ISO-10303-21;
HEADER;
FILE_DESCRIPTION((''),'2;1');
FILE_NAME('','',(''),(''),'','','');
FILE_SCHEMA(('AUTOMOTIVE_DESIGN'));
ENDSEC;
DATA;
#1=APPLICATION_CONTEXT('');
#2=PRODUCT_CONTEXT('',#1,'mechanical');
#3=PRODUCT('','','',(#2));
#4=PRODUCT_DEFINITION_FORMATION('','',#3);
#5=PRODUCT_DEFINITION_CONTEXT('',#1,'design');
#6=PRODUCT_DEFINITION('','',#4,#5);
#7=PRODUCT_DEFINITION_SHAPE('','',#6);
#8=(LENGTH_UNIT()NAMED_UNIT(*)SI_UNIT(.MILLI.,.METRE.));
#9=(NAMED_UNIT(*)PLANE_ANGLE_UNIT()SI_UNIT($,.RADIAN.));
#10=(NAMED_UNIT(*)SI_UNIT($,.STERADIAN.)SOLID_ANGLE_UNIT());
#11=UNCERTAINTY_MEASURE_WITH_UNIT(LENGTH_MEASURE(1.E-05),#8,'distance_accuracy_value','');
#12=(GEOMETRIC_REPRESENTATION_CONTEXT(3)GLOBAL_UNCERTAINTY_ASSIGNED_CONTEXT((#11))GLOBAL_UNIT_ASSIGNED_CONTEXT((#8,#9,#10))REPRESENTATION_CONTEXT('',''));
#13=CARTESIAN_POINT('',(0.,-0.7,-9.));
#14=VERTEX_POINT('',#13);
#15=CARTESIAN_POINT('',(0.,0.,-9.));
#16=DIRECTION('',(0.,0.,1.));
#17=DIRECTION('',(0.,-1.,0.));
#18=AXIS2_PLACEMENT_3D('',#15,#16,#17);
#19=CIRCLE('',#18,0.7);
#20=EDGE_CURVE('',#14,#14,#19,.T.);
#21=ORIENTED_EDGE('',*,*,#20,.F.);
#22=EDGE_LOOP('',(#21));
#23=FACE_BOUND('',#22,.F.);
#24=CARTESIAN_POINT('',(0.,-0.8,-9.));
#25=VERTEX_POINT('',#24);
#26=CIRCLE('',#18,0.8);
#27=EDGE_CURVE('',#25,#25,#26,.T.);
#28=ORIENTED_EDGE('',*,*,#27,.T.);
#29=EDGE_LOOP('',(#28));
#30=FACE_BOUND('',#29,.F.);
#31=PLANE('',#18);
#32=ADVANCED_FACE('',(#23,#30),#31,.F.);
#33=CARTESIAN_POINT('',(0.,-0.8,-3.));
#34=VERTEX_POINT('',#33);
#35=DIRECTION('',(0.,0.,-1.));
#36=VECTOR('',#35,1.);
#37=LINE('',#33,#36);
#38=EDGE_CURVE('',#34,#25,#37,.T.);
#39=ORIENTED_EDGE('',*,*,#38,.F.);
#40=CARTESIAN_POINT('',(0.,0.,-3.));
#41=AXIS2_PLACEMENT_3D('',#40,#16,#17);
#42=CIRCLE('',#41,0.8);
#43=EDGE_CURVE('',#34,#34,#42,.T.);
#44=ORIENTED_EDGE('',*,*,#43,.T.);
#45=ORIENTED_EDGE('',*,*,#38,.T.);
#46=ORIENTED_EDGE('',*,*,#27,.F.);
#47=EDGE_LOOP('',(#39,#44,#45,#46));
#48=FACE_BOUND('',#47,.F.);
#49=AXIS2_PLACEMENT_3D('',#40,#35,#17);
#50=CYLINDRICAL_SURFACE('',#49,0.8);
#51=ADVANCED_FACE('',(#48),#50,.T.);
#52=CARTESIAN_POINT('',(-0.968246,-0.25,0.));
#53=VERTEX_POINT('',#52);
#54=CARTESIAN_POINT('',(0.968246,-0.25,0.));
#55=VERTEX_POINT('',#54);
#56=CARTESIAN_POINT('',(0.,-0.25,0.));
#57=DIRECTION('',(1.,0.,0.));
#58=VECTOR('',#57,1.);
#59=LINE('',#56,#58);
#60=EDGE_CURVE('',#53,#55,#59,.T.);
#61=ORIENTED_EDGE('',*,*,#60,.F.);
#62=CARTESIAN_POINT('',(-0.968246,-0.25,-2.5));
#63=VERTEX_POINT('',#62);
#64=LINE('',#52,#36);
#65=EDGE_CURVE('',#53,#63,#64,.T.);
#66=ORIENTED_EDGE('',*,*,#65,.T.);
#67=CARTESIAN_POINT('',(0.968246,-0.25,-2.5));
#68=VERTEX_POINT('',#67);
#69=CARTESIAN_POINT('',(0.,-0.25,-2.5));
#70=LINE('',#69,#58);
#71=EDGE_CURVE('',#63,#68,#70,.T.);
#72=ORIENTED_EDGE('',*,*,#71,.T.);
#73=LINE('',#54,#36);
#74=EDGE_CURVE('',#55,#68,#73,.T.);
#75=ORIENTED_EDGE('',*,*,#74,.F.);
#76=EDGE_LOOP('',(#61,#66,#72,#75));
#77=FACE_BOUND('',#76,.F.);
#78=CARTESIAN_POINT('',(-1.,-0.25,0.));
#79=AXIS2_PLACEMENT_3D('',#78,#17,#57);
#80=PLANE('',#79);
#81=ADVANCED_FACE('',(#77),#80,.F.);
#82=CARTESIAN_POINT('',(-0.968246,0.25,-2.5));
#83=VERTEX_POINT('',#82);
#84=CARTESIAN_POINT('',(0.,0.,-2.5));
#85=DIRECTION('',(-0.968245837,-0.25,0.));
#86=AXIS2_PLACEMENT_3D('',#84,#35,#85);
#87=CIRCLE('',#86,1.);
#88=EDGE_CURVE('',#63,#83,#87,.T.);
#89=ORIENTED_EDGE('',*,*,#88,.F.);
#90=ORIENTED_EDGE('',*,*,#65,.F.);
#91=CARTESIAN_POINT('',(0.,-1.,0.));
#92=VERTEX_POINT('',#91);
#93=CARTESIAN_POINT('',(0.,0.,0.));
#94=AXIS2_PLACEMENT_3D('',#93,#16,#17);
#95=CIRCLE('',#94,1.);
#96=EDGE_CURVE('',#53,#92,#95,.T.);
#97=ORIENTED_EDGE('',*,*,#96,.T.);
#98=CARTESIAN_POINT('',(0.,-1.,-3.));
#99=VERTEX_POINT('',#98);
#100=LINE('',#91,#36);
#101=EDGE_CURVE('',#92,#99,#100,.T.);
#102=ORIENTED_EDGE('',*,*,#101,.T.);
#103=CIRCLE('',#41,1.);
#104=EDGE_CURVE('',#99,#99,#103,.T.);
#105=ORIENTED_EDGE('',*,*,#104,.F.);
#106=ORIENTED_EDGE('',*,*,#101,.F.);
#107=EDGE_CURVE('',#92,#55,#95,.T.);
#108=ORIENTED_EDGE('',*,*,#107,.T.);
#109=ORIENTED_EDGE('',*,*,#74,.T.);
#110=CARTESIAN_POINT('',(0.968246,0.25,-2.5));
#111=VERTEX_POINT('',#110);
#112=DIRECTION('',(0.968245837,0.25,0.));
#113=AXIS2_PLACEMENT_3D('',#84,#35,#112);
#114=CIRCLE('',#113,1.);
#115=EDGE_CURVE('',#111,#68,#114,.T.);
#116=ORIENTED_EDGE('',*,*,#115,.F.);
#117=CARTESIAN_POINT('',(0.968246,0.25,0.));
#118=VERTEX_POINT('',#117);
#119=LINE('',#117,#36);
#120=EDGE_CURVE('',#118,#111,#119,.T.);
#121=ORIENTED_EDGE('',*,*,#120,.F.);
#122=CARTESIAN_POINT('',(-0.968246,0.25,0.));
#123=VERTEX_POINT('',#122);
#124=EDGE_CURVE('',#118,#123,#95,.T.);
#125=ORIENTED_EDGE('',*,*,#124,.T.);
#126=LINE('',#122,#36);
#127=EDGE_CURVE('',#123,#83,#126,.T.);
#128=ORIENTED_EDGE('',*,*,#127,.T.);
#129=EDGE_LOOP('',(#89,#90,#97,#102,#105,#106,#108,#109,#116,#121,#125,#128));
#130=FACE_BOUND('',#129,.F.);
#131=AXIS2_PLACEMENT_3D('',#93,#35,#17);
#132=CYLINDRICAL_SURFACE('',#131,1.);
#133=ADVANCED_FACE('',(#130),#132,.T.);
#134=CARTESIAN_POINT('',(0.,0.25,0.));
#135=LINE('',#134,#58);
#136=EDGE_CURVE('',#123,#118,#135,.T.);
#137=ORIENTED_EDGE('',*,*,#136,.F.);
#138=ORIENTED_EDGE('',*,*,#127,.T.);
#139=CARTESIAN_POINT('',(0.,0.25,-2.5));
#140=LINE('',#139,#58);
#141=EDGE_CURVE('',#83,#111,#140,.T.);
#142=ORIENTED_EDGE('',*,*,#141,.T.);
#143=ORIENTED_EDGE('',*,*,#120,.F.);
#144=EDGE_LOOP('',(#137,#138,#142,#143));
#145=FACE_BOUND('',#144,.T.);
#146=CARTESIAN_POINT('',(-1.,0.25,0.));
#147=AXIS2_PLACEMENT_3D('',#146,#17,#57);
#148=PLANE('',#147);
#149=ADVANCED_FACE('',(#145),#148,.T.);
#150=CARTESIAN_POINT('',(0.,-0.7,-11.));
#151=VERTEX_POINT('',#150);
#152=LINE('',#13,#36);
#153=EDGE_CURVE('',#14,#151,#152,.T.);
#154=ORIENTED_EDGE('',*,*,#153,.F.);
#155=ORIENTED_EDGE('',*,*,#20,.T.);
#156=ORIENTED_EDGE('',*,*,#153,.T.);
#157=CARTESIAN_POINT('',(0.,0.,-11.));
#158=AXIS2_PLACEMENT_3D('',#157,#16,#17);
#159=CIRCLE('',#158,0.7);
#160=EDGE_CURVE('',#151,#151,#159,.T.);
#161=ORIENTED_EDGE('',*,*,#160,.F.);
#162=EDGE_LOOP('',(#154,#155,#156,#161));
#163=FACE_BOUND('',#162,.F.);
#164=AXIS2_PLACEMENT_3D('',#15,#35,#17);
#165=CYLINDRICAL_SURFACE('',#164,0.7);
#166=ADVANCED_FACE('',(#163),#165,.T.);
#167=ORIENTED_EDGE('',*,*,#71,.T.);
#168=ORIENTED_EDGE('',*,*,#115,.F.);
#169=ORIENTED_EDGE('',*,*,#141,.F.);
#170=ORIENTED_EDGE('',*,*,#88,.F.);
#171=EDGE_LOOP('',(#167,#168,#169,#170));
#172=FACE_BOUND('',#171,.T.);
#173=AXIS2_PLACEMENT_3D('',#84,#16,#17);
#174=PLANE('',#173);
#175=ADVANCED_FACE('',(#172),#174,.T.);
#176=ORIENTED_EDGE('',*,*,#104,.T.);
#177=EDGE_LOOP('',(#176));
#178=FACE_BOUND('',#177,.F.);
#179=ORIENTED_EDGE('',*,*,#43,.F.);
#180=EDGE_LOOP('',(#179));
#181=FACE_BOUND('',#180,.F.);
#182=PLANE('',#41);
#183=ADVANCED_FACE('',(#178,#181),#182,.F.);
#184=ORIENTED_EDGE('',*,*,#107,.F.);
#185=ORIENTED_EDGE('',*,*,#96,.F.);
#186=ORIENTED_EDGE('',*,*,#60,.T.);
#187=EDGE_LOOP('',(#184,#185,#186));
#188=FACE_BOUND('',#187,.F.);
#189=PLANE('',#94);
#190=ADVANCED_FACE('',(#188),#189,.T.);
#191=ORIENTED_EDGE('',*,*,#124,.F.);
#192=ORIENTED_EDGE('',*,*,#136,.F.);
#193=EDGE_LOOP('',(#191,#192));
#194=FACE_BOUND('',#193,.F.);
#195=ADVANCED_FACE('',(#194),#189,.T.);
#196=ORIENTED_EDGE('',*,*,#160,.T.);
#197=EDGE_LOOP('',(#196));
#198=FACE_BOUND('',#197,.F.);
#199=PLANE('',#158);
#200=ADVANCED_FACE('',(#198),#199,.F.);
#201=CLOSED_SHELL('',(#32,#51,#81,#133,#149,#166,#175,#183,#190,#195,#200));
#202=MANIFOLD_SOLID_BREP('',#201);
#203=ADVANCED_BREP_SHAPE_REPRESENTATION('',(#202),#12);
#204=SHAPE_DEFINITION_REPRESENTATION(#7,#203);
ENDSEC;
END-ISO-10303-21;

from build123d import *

# Parameters (mm, degrees)
SKETCH001_W  = 0.5
SKETCH001_H  = 2
POCKET_DEPTH = 2.5


with BuildPart() as part:
    # Sketch → Revolution (revolve)
    with BuildSketch(Plane.YZ):
        Polygon((0, 0), (-1, 0), (-1, -3), (-0.8, -3), (-0.8, -9), (-0.7, -9), (-0.7, -11), (0, -11), align=None)
    revolve(axis=Axis((0, 0, 0), (0, 0, 1)))

    # Sketch001 (on Face1 of Revolution) → Pocket (cut)
    with BuildSketch(Plane(origin=(0, 0, 0), x_dir=(0, -1, 0), z_dir=(0, 0, 1))):
        Rectangle(SKETCH001_W, SKETCH001_H)
    extrude(amount=-POCKET_DEPTH, mode=Mode.SUBTRACT)


solid = part.part
